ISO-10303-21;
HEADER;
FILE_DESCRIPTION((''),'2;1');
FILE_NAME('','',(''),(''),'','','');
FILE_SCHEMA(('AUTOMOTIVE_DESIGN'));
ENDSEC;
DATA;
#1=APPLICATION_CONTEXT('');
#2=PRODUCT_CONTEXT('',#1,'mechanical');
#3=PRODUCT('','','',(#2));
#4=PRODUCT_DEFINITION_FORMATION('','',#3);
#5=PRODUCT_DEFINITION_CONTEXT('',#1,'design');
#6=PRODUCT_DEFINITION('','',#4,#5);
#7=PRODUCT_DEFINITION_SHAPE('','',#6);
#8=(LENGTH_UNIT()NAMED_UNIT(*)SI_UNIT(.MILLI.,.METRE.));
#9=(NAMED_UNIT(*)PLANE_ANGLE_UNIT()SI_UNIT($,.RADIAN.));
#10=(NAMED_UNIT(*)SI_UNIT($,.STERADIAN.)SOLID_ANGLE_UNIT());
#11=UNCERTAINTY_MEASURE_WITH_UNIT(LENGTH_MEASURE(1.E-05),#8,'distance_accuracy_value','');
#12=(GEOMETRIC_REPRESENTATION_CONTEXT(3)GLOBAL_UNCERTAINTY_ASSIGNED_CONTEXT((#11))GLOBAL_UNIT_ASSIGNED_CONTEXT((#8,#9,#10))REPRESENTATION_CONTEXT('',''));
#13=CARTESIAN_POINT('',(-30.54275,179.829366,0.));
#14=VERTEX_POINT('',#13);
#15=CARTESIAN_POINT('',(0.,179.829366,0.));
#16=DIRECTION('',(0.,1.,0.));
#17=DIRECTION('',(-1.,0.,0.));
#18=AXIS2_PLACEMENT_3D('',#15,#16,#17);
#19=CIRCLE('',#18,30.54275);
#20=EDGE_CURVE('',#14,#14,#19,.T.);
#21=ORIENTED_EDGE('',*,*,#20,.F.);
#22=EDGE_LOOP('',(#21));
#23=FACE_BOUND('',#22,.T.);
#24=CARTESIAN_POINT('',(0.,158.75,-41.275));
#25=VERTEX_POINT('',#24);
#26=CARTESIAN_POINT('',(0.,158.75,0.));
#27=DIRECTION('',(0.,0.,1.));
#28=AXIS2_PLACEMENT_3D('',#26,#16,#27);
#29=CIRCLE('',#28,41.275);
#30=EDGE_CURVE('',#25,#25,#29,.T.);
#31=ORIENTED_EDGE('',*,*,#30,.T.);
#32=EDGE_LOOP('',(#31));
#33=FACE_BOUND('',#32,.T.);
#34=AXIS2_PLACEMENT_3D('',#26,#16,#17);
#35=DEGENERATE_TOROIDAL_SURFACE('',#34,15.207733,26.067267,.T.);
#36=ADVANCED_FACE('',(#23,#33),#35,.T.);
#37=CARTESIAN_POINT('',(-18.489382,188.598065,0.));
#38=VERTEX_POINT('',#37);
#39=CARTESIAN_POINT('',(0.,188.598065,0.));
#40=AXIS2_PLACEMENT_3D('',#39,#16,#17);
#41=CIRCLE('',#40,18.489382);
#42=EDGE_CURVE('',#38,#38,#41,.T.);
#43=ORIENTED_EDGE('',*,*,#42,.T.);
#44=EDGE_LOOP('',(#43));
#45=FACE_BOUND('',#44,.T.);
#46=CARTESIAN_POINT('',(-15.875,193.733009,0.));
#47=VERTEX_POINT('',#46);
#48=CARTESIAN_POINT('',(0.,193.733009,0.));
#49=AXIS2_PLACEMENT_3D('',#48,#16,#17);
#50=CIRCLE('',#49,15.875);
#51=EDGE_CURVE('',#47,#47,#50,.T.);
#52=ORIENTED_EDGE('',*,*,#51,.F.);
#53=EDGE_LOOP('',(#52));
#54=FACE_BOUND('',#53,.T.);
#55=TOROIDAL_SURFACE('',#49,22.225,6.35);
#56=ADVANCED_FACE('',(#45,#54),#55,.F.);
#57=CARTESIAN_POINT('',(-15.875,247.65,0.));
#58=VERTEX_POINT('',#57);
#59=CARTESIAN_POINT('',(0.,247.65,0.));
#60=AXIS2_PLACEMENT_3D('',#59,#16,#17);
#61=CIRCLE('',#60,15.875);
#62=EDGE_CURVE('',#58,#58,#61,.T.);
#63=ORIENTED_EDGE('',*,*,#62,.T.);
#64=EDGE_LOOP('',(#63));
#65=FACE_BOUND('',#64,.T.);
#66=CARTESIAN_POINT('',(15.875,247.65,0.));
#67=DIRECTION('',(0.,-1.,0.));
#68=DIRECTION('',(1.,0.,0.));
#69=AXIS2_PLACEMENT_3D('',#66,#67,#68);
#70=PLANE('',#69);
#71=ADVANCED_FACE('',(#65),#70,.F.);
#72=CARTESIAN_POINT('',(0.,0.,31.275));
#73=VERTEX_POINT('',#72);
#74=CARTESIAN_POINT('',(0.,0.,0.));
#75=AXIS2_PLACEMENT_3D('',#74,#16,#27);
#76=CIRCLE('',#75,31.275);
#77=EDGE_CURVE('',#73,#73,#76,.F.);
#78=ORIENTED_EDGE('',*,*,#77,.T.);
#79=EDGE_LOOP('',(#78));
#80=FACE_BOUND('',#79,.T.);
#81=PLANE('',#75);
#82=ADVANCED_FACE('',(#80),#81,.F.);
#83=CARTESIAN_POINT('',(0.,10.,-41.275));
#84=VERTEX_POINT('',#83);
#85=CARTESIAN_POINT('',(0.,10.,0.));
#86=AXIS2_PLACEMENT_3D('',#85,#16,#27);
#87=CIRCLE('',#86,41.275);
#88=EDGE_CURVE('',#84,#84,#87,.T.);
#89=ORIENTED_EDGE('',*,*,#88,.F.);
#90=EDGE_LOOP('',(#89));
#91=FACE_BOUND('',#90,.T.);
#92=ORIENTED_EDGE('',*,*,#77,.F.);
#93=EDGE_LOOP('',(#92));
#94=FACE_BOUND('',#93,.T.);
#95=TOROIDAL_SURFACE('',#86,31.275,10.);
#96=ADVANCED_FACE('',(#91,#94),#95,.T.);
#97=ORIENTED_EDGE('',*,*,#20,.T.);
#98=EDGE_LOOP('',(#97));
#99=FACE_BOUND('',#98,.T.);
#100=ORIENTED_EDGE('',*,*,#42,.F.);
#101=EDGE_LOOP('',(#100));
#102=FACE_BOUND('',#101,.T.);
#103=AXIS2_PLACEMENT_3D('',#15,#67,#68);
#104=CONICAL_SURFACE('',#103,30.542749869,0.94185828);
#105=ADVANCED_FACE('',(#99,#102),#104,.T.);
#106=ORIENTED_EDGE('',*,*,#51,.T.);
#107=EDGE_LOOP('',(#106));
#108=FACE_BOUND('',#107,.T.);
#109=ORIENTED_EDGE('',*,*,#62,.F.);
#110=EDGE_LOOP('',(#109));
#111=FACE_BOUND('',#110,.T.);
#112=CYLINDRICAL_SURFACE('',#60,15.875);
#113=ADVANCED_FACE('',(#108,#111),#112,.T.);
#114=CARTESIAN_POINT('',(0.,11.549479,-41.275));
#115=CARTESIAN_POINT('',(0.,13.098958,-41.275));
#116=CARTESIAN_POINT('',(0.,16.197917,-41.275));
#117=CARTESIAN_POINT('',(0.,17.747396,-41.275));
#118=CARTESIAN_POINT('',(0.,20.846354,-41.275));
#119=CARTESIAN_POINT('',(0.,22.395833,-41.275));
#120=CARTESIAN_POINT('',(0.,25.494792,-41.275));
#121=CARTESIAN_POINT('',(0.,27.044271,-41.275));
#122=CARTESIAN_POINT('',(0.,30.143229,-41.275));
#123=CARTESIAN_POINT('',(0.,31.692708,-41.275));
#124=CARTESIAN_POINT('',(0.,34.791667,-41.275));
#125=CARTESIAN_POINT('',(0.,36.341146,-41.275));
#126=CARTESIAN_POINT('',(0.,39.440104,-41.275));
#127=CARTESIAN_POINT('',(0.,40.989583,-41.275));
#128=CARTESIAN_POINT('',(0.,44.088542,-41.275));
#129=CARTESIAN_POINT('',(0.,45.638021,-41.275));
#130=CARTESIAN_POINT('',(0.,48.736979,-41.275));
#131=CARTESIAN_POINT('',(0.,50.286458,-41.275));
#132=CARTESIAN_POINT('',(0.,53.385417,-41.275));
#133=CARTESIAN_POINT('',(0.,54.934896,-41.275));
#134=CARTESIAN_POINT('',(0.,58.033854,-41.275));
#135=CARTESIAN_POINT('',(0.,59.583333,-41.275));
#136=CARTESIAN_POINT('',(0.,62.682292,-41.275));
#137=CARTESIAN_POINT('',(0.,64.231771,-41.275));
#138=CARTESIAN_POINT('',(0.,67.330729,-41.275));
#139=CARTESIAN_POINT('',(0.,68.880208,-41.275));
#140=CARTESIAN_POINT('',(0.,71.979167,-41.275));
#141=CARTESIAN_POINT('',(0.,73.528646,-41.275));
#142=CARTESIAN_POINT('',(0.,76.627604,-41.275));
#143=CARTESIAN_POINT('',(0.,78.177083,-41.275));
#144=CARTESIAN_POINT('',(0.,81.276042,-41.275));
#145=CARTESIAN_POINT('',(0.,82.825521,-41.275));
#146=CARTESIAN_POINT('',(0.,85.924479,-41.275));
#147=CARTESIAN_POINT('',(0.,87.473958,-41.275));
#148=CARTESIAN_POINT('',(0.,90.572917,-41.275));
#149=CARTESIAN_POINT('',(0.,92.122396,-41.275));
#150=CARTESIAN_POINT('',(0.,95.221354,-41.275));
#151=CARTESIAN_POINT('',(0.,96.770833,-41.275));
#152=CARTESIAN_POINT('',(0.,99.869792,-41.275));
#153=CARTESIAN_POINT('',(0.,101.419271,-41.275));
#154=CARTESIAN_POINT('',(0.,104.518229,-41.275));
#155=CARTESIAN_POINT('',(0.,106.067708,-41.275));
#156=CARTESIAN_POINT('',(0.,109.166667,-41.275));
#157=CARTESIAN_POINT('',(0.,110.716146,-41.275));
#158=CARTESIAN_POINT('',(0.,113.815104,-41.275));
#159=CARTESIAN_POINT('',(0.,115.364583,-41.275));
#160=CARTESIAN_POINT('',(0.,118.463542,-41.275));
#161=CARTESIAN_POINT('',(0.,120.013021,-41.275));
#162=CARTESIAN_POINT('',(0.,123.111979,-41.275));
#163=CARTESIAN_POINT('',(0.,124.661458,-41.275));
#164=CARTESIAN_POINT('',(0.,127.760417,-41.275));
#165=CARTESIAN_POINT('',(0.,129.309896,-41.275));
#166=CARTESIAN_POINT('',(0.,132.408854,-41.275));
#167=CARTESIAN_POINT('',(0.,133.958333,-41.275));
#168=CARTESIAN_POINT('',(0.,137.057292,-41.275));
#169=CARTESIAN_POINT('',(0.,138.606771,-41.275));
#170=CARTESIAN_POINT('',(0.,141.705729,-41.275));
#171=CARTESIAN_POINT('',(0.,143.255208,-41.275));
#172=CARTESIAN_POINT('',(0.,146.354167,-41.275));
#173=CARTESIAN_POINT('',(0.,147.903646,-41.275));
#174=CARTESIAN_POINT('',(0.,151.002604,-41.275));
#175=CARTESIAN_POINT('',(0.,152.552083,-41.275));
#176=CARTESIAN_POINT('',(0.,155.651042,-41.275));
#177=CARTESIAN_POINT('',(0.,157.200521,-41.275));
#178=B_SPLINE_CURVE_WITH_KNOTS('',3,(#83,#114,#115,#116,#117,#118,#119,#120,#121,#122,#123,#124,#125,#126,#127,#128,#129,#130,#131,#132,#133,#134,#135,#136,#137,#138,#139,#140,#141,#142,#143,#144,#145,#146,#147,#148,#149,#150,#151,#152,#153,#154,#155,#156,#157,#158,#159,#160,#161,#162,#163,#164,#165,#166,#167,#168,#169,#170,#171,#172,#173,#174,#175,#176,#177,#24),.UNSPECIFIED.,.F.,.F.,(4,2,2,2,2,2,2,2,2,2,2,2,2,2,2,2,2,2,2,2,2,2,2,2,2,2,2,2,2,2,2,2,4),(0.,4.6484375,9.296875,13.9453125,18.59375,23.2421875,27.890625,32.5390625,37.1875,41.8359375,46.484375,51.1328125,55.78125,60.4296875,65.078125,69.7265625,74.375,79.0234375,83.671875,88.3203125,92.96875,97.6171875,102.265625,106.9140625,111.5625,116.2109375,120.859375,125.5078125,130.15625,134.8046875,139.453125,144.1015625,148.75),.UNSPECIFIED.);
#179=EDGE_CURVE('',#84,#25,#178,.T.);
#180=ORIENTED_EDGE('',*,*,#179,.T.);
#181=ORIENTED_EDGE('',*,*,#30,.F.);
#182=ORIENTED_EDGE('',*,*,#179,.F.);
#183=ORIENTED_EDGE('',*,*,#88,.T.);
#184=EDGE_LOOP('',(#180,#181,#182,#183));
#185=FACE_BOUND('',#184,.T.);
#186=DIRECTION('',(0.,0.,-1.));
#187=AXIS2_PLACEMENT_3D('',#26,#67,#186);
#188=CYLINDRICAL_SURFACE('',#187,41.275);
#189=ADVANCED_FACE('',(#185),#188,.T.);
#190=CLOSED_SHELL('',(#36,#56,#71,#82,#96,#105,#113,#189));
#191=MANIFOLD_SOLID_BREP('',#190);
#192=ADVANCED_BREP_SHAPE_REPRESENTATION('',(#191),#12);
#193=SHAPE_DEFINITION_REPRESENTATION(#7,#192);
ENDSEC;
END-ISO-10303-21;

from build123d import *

# Parameters (mm, degrees)
ESQUISSE1_R        = 41.275
BOSS_EXTRU_1_DEPTH = 158.75
CONG_1_R           = 10


with BuildPart() as part:
    # Esquisse1 → Boss.-Extru.1 (new body)
    with BuildSketch(Plane(origin=(0, 0, 0), x_dir=(1, 0, 0), z_dir=(0, 1, 0))):
        with Locations(Location((0, 0, 0), (0, 0, 90))):
            Circle(ESQUISSE1_R)
    extrude(amount=BOSS_EXTRU_1_DEPTH)

    # Esquisse2 → Révolution1 (revolve)
    with BuildSketch(Plane.XY, mode=Mode.PRIVATE) as r_volution1_sk:
        with BuildLine():
            Line((18.489381751, 188.598064752), (30.542749869, 179.829366122))
            ThreePointArc((30.542749869, 179.829366122), (38.437502567, 170.577096738), (41.275, 158.75))
            Line((41.275, 158.75), (0, 158.75))
            Line((0, 158.75), (0, 247.65))
            Line((0, 247.65), (15.875, 247.65))
            Line((15.875, 247.65), (15.875, 193.733009377))
            ThreePointArc((15.875, 193.733009377), (16.56621586, 190.851922419), (18.489381751, 188.598064752))
        make_face()
    revolve(r_volution1_sk.sketch.rotate(Axis((0, 247.65, 0), (0, -1, 0)), 180), axis=Axis((0, 247.65, 0), (0, -1, 0)))

    # Congé1
    cong_1_edges = [part.edges().sort_by_distance(p)[0] for p in [
        (0, 0, 41.275),
    ]]
    fillet(cong_1_edges, radius=CONG_1_R)


solid = part.part
